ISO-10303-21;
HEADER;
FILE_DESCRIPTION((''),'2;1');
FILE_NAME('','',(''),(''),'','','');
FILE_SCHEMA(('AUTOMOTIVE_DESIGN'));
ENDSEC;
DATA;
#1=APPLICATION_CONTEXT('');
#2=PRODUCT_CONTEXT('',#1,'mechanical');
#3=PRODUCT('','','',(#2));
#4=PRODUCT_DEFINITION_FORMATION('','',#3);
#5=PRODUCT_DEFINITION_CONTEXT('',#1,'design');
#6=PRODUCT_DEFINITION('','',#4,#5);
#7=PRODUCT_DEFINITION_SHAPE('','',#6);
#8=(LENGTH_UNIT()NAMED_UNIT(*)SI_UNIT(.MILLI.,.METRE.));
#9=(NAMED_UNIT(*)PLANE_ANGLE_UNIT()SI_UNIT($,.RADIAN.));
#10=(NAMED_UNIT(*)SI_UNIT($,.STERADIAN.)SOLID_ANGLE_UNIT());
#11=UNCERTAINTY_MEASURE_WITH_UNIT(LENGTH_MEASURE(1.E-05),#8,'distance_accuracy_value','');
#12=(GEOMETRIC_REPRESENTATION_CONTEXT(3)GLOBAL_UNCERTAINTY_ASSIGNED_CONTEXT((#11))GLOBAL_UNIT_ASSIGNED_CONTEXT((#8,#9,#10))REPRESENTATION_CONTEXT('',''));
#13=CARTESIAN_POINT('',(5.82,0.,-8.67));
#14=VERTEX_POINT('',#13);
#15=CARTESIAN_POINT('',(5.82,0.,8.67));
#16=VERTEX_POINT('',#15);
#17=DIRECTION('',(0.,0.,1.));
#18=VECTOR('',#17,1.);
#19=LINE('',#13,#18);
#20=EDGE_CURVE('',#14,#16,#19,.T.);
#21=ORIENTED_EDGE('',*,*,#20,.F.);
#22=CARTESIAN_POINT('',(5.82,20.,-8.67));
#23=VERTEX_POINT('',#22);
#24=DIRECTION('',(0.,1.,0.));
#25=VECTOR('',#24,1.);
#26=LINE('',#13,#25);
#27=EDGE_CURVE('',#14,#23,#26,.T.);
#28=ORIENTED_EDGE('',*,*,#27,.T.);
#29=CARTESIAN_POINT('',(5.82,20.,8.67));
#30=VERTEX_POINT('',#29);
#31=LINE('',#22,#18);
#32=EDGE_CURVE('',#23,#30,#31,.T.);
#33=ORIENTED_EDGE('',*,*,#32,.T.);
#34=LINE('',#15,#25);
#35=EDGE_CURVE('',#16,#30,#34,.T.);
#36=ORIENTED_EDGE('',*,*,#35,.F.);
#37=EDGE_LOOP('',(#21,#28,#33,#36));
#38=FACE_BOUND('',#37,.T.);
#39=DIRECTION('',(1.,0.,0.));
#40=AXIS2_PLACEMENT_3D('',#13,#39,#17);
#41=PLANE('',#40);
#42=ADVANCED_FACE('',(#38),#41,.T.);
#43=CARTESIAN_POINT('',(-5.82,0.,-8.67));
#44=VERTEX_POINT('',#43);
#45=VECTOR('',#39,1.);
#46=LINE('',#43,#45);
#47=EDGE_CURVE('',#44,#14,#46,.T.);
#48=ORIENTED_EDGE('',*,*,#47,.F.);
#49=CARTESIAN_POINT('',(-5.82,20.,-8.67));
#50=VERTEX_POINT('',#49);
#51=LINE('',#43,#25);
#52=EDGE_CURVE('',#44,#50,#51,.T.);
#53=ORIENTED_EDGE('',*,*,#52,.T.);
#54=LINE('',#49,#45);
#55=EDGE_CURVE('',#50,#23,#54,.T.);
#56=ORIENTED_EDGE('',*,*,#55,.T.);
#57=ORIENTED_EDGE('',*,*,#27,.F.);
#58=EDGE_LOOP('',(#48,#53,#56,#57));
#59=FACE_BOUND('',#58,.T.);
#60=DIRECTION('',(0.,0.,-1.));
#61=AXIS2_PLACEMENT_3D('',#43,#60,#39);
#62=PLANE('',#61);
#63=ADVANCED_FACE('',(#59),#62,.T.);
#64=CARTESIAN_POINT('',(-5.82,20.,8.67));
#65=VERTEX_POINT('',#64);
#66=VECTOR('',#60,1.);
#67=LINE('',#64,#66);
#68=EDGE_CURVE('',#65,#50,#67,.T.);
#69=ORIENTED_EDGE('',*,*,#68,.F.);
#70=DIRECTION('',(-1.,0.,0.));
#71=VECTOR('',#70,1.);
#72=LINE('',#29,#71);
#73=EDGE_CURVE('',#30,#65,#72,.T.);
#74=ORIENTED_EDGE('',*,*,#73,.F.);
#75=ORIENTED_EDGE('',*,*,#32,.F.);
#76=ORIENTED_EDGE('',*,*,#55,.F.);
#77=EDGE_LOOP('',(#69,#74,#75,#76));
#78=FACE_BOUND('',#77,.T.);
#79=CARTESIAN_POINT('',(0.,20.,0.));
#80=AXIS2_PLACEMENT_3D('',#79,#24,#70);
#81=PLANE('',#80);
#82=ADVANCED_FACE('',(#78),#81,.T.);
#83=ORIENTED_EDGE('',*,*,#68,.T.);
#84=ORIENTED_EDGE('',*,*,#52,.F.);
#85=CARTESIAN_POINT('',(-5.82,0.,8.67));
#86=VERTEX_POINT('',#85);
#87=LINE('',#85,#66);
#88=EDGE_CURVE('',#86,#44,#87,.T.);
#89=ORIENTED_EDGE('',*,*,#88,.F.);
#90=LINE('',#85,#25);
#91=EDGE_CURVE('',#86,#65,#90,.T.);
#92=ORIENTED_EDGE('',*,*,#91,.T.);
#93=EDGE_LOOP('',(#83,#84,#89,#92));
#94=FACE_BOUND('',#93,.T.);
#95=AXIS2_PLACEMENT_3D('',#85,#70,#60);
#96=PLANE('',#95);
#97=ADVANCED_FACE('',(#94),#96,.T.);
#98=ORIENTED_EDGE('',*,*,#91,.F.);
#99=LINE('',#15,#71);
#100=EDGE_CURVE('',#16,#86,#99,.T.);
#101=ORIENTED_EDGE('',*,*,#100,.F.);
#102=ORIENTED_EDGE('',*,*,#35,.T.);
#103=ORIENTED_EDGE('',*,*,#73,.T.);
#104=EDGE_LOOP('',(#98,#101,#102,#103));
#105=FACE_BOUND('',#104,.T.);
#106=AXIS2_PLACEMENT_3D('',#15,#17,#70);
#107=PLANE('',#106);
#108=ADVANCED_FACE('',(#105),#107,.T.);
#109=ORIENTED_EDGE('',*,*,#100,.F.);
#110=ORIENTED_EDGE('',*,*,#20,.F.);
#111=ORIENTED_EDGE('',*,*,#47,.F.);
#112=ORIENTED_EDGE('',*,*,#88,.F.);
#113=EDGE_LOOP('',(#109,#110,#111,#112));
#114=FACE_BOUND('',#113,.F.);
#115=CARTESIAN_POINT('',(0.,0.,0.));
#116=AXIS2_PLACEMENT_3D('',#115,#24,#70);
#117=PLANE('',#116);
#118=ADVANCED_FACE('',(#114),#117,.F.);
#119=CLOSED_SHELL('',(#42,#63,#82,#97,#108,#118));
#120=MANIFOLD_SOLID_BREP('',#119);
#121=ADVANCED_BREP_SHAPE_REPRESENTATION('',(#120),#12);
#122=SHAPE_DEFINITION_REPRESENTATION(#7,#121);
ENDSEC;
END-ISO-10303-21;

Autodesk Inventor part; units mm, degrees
ref_plane "YZ Plane" through (0, 0, 0) normal (1, 0, 0) x (0, 1, 0)
ref_plane "XZ Plane" through (0, 0, 0) normal (0, 1, 0) x (-1, 0, 0)
ref_plane "XY Plane" through (0, 0, 0) normal (0, 0, 1) x (1, 0, 0)
sketch "Sketch1" plane through (0, 0, 0) normal (0, 1, 0) x (-1, 0, 0)
  line L0 (-5.82, 8.67) -> (5.82, 8.67)
  line L1 (5.82, 8.67) -> (5.82, -8.67)
  line L2 (5.82, -8.67) -> (-5.82, -8.67)
  line L3 (-5.82, -8.67) -> (-5.82, 8.67)
  line L4 (-5.82, 8.67) -> (5.82, -8.67) construction
  line L5 (5.82, 8.67) -> (-5.82, -8.67) construction
  point P0 (0, 0)
  dimension "d0" = 11.64
  dimension "d1" = 17.34
extrude "Extrusion1" add sketch "Sketch1" along normal blind 20
properties part number "Supporto_magnete"
